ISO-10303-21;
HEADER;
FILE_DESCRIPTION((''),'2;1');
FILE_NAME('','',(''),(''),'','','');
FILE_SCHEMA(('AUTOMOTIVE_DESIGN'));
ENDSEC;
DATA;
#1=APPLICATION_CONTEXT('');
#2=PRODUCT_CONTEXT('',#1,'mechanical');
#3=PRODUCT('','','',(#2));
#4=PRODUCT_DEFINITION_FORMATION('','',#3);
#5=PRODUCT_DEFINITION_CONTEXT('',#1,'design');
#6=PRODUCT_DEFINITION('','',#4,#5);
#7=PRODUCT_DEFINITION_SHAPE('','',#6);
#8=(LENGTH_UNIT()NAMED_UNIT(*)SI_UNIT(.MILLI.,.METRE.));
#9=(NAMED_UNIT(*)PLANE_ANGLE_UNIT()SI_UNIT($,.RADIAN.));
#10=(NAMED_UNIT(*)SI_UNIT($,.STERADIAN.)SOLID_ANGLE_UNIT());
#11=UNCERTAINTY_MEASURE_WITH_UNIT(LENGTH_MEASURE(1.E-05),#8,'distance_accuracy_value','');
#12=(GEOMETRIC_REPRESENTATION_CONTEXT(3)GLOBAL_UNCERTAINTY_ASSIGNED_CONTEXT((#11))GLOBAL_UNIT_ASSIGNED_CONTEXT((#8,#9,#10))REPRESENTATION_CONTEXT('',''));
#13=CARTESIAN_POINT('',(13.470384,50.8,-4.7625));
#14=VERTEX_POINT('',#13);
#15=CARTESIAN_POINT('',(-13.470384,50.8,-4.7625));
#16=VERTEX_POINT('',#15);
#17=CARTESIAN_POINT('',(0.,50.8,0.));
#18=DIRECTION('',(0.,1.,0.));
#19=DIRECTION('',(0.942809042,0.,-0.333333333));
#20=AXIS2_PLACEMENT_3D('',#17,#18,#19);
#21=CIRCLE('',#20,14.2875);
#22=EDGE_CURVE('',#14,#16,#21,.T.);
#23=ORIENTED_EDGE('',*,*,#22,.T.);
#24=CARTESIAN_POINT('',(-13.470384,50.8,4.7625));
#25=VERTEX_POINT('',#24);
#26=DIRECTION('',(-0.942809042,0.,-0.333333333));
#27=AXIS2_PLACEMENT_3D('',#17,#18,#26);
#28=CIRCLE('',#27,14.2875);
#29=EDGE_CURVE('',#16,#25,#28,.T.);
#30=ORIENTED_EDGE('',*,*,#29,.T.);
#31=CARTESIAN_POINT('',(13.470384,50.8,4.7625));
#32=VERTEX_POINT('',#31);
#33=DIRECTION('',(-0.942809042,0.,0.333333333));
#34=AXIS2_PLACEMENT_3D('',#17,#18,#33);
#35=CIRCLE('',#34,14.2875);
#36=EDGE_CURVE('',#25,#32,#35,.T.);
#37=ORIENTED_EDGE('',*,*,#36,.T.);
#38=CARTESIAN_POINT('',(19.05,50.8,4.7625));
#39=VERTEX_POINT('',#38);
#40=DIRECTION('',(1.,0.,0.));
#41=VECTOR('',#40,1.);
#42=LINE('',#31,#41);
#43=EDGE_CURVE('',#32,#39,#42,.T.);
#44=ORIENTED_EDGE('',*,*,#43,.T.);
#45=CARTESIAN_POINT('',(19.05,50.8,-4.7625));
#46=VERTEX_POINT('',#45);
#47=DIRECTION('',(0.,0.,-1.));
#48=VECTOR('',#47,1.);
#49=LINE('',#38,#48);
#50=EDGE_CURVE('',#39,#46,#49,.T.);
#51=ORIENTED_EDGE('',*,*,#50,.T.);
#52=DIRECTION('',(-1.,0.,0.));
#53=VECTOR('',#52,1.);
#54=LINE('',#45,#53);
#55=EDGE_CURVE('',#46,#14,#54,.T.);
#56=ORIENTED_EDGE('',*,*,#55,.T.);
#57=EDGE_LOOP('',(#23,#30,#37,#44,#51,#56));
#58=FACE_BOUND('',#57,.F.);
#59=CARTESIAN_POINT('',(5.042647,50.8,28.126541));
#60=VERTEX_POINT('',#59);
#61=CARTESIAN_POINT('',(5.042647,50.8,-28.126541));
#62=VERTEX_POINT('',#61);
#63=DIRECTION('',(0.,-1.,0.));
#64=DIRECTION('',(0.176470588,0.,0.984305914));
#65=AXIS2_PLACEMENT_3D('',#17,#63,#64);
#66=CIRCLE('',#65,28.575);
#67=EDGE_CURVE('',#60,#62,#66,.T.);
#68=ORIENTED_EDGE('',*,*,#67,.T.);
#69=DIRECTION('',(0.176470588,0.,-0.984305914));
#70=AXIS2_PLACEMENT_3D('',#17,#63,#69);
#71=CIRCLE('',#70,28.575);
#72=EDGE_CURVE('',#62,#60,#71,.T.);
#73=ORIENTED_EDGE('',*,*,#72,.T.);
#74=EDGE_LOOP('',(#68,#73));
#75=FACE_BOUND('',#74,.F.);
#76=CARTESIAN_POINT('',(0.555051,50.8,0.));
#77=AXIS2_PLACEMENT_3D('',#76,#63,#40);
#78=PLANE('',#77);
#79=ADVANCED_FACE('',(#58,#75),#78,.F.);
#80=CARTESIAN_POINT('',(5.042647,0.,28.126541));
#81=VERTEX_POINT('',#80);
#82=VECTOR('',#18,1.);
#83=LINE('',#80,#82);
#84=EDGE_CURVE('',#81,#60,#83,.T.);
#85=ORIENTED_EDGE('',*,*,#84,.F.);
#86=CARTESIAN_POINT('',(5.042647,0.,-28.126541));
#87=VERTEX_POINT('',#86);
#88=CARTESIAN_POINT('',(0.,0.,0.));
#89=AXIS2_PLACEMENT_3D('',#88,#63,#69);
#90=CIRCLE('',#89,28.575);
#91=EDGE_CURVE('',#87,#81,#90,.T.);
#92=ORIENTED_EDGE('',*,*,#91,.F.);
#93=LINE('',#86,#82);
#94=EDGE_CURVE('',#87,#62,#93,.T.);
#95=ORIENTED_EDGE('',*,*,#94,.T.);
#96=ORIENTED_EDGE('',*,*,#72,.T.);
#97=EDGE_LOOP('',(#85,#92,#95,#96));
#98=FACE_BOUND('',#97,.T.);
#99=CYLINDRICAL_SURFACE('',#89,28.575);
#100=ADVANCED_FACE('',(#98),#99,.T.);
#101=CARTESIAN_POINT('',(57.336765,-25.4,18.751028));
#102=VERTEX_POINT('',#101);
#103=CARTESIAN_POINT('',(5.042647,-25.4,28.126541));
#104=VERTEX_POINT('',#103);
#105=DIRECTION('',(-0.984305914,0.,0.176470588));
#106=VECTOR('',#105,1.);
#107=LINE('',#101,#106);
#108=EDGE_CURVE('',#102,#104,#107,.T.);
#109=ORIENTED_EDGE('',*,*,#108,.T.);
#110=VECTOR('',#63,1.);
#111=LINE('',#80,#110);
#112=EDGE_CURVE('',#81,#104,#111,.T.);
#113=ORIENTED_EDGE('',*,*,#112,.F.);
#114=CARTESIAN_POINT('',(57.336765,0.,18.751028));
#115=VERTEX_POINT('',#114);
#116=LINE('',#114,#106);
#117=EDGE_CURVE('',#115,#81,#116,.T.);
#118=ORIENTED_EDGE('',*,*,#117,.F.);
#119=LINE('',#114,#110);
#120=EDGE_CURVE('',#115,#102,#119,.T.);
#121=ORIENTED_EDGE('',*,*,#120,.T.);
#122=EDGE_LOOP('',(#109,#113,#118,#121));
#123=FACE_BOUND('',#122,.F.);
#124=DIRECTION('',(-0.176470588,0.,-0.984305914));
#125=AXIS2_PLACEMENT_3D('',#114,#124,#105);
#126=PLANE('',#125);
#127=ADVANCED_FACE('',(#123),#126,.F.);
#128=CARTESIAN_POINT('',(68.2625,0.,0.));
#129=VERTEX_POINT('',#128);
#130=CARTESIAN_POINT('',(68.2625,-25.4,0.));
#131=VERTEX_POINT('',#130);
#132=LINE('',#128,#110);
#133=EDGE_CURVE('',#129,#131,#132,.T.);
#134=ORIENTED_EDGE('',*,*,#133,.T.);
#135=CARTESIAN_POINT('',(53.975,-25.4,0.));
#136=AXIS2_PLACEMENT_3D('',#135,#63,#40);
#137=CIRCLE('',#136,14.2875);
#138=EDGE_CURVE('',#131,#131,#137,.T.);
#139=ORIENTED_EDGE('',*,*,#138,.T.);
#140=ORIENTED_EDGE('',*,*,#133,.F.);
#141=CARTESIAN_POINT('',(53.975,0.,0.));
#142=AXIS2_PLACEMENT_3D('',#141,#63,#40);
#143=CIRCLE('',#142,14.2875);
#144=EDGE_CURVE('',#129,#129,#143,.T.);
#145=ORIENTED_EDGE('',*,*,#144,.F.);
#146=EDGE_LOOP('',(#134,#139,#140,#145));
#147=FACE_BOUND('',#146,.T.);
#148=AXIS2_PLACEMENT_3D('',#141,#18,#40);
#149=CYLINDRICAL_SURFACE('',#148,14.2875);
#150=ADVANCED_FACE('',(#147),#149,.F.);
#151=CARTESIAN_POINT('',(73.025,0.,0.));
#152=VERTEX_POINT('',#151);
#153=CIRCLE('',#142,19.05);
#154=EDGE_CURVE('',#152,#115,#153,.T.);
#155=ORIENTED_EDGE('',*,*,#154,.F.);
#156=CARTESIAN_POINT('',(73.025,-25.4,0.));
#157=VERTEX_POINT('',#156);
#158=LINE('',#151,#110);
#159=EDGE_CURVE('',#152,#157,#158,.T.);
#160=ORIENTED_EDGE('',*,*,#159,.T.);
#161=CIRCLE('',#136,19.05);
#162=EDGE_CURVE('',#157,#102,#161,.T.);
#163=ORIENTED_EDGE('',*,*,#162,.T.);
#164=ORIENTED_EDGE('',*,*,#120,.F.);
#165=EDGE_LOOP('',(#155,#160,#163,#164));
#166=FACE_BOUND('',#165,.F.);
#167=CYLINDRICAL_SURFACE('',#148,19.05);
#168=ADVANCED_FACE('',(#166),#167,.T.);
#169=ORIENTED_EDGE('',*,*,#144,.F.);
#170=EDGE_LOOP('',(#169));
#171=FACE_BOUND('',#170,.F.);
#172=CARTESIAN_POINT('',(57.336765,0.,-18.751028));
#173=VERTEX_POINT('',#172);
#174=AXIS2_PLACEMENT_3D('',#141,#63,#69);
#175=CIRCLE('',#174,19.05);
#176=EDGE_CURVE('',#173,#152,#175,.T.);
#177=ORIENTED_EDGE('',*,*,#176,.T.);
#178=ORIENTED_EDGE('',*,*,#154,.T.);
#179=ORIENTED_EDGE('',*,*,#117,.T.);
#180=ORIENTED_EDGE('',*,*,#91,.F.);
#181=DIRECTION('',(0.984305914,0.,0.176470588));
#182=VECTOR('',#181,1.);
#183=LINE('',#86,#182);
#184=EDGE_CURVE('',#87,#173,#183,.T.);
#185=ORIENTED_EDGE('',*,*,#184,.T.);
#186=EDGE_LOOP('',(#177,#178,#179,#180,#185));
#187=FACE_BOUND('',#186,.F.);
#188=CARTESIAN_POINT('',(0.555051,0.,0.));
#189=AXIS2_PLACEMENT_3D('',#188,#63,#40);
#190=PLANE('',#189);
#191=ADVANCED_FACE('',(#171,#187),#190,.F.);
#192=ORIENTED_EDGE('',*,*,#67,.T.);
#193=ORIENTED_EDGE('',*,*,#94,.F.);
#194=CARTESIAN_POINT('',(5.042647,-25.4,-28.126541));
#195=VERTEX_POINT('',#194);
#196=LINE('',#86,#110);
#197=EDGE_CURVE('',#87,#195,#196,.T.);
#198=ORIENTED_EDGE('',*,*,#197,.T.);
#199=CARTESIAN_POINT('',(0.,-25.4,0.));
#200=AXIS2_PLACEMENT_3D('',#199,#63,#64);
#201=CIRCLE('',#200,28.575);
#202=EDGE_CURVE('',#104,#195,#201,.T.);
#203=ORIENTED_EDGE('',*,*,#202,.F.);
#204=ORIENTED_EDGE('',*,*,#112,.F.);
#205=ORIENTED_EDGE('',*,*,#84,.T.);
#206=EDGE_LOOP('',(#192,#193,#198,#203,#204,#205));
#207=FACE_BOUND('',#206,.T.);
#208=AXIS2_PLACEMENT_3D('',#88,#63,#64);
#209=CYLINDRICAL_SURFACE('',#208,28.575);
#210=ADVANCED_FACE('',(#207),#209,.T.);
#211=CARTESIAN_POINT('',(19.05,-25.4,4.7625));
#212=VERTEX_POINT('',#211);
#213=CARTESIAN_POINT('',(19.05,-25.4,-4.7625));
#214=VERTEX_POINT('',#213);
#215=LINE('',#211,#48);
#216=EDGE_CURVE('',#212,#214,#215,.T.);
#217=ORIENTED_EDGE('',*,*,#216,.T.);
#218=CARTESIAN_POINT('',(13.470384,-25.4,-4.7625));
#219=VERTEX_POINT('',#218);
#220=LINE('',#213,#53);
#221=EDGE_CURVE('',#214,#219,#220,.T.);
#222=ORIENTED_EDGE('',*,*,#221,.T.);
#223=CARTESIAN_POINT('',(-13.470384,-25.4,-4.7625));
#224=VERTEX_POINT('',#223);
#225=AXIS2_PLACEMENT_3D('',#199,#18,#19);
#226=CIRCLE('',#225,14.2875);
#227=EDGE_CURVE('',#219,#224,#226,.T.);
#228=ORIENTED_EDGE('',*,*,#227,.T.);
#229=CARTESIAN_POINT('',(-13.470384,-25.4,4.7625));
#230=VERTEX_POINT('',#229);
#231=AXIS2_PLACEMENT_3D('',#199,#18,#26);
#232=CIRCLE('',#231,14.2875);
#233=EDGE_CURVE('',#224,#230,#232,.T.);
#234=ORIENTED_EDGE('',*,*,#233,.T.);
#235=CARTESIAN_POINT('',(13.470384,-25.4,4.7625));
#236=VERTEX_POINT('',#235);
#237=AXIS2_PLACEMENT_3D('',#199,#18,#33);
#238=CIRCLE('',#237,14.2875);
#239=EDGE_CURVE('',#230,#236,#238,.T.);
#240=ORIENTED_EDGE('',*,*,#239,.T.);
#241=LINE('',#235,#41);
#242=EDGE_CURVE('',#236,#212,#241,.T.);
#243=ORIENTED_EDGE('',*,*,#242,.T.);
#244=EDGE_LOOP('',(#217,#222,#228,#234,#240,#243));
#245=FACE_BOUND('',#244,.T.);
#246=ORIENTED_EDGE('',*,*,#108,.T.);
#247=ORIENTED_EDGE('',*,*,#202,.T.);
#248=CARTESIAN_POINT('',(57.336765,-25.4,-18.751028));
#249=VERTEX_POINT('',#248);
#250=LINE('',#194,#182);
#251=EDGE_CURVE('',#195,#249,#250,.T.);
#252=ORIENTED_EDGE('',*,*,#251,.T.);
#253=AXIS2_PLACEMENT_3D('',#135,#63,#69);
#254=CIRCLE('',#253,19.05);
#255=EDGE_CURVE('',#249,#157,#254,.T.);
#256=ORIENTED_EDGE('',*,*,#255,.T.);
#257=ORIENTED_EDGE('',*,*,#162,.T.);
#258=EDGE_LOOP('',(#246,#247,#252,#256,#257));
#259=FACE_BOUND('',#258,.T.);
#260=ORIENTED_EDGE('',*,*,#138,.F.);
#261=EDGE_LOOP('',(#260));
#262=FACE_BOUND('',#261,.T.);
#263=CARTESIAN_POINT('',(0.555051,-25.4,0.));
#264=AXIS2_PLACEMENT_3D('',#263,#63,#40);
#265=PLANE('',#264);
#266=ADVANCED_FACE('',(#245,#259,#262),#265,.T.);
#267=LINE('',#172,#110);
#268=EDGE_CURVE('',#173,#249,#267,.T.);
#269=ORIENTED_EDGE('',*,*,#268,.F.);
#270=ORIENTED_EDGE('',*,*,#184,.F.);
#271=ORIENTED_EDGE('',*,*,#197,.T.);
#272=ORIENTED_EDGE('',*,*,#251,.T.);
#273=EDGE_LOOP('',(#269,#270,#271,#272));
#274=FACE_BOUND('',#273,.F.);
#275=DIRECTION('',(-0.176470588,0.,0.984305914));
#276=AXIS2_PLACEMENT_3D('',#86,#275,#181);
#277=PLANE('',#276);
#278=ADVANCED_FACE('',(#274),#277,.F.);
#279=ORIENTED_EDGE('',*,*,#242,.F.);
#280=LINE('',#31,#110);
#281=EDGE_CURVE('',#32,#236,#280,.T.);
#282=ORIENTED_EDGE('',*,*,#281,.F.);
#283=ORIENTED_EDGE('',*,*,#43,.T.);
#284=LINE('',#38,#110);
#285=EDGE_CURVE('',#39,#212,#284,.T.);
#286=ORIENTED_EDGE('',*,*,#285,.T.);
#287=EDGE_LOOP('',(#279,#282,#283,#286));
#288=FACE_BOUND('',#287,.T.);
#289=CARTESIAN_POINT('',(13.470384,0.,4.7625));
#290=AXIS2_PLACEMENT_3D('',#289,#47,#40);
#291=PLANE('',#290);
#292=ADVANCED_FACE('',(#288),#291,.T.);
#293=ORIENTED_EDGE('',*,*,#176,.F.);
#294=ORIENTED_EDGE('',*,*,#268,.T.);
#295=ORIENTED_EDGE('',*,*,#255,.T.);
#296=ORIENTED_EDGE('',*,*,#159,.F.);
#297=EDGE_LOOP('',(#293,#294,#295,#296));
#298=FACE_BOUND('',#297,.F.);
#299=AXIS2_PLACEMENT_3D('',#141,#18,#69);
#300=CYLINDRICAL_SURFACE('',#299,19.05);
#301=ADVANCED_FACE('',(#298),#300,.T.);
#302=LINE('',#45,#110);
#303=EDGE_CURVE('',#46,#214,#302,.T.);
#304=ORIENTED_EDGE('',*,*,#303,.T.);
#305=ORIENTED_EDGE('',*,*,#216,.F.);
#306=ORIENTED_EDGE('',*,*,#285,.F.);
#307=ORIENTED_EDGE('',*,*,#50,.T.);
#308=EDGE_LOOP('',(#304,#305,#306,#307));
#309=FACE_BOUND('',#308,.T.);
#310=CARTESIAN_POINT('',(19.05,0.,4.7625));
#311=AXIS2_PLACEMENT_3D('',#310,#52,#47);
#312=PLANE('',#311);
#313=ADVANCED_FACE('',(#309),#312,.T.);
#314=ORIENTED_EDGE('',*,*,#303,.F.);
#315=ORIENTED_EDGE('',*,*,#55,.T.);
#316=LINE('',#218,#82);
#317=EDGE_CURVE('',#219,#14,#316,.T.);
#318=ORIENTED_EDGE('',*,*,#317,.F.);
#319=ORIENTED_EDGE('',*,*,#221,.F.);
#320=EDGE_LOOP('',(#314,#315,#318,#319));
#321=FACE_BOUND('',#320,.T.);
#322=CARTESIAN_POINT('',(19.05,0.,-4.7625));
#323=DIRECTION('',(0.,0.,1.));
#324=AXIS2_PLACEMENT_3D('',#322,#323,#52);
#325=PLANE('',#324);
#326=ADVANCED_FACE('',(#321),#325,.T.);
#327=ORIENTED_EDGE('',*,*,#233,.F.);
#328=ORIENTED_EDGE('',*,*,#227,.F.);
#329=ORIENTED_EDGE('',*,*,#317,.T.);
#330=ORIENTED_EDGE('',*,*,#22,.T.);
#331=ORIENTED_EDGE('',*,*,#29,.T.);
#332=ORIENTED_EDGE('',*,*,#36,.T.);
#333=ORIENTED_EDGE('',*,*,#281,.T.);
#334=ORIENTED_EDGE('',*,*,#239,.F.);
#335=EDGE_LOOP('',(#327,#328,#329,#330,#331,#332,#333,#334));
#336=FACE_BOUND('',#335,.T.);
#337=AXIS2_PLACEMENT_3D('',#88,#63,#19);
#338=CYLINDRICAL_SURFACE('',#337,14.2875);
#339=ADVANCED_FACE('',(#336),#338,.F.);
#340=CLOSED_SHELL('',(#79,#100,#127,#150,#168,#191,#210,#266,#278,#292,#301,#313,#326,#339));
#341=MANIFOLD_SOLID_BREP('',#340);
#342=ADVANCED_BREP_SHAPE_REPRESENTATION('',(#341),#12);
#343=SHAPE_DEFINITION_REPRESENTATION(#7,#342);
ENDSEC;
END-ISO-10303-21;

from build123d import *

# Parameters (mm, degrees)
F0_R     = 14.2875
F1_DEPTH = 25.4
F2_DEPTH = 50.8


with BuildPart() as f1:
    # F0 (on Front) → F1 (new body)
    with BuildSketch(Plane.XZ):
        with BuildLine():
            ThreePointArc((5.0426470588, -28.1265414802), (21.9160245563, -18.3362616868), (28.575, 0))
            ThreePointArc((28.575, 0), (21.9160245563, 18.3362616868), (5.0426470588, 28.1265414802))
            ThreePointArc((5.0426470588, 28.1265414802), (-28.575, 0), (5.0426470588, -28.1265414802))
        make_face()
        with BuildLine():
            ThreePointArc((-13.4703841816, 4.7625), (0, 14.2875), (13.4703841816, 4.7625))
            Line((13.4703841816, 4.7625), (19.05, 4.7625))
            Line((19.05, 4.7625), (19.05, -4.7625))
            Line((19.05, -4.7625), (13.4703841816, -4.7625))
            ThreePointArc((13.4703841816, -4.7625), (0, -14.2875), (-13.4703841816, -4.7625))
            Line((-13.4703841816, -4.7625), (-19.05, -4.7625))
            Line((-19.05, -4.7625), (-19.05, 4.7625))
            Line((-19.05, 4.7625), (-13.4703841816, 4.7625))
        make_face(mode=Mode.SUBTRACT)
        with BuildLine():
            ThreePointArc((73.025, 0), (68.5856830375, 12.2241744579), (57.3367647059, 18.7510276535))
            ThreePointArc((57.3367647059, 18.7510276535), (34.925, 0), (57.3367647059, -18.7510276535))
            ThreePointArc((57.3367647059, -18.7510276535), (68.5856830375, -12.2241744579), (73.025, 0))
        make_face()
        with Locations((53.975, 0)):
            Circle(F0_R, mode=Mode.SUBTRACT)
        with BuildLine():
            ThreePointArc((5.0426470588, 28.1265414802), (21.9160245563, 18.3362616868), (28.575, 0))
            ThreePointArc((28.575, 0), (21.9160245563, -18.3362616868), (5.0426470588, -28.1265414802))
            Line((5.0426470588, -28.1265414802), (57.3367647059, -18.7510276535))
            ThreePointArc((57.3367647059, -18.7510276535), (34.925, 0), (57.3367647059, 18.7510276535))
            Line((57.3367647059, 18.7510276535), (5.0426470588, 28.1265414802))
        make_face()
        with BuildLine():
            ThreePointArc((-13.4703841816, -4.7625), (-14.2875, 0), (-13.4703841816, 4.7625))
            Line((-13.4703841816, 4.7625), (-19.05, 4.7625))
            Line((-19.05, 4.7625), (-19.05, -4.7625))
            Line((-19.05, -4.7625), (-13.4703841816, -4.7625))
        make_face()
    extrude(amount=F1_DEPTH)

    # F0 (on Front) → F2 (join)
    with BuildSketch(Plane.XZ):
        with BuildLine():
            ThreePointArc((5.0426470588, -28.1265414802), (21.9160245563, -18.3362616868), (28.575, 0))
            ThreePointArc((28.575, 0), (21.9160245563, 18.3362616868), (5.0426470588, 28.1265414802))
            ThreePointArc((5.0426470588, 28.1265414802), (-28.575, 0), (5.0426470588, -28.1265414802))
        make_face()
        with BuildLine():
            ThreePointArc((-13.4703841816, 4.7625), (0, 14.2875), (13.4703841816, 4.7625))
            Line((13.4703841816, 4.7625), (19.05, 4.7625))
            Line((19.05, 4.7625), (19.05, -4.7625))
            Line((19.05, -4.7625), (13.4703841816, -4.7625))
            ThreePointArc((13.4703841816, -4.7625), (0, -14.2875), (-13.4703841816, -4.7625))
            Line((-13.4703841816, -4.7625), (-19.05, -4.7625))
            Line((-19.05, -4.7625), (-19.05, 4.7625))
            Line((-19.05, 4.7625), (-13.4703841816, 4.7625))
        make_face(mode=Mode.SUBTRACT)
        with BuildLine():
            ThreePointArc((-13.4703841816, -4.7625), (-14.2875, 0), (-13.4703841816, 4.7625))
            Line((-13.4703841816, 4.7625), (-19.05, 4.7625))
            Line((-19.05, 4.7625), (-19.05, -4.7625))
            Line((-19.05, -4.7625), (-13.4703841816, -4.7625))
        make_face()
    extrude(amount=-F2_DEPTH)


solid = f1.part
